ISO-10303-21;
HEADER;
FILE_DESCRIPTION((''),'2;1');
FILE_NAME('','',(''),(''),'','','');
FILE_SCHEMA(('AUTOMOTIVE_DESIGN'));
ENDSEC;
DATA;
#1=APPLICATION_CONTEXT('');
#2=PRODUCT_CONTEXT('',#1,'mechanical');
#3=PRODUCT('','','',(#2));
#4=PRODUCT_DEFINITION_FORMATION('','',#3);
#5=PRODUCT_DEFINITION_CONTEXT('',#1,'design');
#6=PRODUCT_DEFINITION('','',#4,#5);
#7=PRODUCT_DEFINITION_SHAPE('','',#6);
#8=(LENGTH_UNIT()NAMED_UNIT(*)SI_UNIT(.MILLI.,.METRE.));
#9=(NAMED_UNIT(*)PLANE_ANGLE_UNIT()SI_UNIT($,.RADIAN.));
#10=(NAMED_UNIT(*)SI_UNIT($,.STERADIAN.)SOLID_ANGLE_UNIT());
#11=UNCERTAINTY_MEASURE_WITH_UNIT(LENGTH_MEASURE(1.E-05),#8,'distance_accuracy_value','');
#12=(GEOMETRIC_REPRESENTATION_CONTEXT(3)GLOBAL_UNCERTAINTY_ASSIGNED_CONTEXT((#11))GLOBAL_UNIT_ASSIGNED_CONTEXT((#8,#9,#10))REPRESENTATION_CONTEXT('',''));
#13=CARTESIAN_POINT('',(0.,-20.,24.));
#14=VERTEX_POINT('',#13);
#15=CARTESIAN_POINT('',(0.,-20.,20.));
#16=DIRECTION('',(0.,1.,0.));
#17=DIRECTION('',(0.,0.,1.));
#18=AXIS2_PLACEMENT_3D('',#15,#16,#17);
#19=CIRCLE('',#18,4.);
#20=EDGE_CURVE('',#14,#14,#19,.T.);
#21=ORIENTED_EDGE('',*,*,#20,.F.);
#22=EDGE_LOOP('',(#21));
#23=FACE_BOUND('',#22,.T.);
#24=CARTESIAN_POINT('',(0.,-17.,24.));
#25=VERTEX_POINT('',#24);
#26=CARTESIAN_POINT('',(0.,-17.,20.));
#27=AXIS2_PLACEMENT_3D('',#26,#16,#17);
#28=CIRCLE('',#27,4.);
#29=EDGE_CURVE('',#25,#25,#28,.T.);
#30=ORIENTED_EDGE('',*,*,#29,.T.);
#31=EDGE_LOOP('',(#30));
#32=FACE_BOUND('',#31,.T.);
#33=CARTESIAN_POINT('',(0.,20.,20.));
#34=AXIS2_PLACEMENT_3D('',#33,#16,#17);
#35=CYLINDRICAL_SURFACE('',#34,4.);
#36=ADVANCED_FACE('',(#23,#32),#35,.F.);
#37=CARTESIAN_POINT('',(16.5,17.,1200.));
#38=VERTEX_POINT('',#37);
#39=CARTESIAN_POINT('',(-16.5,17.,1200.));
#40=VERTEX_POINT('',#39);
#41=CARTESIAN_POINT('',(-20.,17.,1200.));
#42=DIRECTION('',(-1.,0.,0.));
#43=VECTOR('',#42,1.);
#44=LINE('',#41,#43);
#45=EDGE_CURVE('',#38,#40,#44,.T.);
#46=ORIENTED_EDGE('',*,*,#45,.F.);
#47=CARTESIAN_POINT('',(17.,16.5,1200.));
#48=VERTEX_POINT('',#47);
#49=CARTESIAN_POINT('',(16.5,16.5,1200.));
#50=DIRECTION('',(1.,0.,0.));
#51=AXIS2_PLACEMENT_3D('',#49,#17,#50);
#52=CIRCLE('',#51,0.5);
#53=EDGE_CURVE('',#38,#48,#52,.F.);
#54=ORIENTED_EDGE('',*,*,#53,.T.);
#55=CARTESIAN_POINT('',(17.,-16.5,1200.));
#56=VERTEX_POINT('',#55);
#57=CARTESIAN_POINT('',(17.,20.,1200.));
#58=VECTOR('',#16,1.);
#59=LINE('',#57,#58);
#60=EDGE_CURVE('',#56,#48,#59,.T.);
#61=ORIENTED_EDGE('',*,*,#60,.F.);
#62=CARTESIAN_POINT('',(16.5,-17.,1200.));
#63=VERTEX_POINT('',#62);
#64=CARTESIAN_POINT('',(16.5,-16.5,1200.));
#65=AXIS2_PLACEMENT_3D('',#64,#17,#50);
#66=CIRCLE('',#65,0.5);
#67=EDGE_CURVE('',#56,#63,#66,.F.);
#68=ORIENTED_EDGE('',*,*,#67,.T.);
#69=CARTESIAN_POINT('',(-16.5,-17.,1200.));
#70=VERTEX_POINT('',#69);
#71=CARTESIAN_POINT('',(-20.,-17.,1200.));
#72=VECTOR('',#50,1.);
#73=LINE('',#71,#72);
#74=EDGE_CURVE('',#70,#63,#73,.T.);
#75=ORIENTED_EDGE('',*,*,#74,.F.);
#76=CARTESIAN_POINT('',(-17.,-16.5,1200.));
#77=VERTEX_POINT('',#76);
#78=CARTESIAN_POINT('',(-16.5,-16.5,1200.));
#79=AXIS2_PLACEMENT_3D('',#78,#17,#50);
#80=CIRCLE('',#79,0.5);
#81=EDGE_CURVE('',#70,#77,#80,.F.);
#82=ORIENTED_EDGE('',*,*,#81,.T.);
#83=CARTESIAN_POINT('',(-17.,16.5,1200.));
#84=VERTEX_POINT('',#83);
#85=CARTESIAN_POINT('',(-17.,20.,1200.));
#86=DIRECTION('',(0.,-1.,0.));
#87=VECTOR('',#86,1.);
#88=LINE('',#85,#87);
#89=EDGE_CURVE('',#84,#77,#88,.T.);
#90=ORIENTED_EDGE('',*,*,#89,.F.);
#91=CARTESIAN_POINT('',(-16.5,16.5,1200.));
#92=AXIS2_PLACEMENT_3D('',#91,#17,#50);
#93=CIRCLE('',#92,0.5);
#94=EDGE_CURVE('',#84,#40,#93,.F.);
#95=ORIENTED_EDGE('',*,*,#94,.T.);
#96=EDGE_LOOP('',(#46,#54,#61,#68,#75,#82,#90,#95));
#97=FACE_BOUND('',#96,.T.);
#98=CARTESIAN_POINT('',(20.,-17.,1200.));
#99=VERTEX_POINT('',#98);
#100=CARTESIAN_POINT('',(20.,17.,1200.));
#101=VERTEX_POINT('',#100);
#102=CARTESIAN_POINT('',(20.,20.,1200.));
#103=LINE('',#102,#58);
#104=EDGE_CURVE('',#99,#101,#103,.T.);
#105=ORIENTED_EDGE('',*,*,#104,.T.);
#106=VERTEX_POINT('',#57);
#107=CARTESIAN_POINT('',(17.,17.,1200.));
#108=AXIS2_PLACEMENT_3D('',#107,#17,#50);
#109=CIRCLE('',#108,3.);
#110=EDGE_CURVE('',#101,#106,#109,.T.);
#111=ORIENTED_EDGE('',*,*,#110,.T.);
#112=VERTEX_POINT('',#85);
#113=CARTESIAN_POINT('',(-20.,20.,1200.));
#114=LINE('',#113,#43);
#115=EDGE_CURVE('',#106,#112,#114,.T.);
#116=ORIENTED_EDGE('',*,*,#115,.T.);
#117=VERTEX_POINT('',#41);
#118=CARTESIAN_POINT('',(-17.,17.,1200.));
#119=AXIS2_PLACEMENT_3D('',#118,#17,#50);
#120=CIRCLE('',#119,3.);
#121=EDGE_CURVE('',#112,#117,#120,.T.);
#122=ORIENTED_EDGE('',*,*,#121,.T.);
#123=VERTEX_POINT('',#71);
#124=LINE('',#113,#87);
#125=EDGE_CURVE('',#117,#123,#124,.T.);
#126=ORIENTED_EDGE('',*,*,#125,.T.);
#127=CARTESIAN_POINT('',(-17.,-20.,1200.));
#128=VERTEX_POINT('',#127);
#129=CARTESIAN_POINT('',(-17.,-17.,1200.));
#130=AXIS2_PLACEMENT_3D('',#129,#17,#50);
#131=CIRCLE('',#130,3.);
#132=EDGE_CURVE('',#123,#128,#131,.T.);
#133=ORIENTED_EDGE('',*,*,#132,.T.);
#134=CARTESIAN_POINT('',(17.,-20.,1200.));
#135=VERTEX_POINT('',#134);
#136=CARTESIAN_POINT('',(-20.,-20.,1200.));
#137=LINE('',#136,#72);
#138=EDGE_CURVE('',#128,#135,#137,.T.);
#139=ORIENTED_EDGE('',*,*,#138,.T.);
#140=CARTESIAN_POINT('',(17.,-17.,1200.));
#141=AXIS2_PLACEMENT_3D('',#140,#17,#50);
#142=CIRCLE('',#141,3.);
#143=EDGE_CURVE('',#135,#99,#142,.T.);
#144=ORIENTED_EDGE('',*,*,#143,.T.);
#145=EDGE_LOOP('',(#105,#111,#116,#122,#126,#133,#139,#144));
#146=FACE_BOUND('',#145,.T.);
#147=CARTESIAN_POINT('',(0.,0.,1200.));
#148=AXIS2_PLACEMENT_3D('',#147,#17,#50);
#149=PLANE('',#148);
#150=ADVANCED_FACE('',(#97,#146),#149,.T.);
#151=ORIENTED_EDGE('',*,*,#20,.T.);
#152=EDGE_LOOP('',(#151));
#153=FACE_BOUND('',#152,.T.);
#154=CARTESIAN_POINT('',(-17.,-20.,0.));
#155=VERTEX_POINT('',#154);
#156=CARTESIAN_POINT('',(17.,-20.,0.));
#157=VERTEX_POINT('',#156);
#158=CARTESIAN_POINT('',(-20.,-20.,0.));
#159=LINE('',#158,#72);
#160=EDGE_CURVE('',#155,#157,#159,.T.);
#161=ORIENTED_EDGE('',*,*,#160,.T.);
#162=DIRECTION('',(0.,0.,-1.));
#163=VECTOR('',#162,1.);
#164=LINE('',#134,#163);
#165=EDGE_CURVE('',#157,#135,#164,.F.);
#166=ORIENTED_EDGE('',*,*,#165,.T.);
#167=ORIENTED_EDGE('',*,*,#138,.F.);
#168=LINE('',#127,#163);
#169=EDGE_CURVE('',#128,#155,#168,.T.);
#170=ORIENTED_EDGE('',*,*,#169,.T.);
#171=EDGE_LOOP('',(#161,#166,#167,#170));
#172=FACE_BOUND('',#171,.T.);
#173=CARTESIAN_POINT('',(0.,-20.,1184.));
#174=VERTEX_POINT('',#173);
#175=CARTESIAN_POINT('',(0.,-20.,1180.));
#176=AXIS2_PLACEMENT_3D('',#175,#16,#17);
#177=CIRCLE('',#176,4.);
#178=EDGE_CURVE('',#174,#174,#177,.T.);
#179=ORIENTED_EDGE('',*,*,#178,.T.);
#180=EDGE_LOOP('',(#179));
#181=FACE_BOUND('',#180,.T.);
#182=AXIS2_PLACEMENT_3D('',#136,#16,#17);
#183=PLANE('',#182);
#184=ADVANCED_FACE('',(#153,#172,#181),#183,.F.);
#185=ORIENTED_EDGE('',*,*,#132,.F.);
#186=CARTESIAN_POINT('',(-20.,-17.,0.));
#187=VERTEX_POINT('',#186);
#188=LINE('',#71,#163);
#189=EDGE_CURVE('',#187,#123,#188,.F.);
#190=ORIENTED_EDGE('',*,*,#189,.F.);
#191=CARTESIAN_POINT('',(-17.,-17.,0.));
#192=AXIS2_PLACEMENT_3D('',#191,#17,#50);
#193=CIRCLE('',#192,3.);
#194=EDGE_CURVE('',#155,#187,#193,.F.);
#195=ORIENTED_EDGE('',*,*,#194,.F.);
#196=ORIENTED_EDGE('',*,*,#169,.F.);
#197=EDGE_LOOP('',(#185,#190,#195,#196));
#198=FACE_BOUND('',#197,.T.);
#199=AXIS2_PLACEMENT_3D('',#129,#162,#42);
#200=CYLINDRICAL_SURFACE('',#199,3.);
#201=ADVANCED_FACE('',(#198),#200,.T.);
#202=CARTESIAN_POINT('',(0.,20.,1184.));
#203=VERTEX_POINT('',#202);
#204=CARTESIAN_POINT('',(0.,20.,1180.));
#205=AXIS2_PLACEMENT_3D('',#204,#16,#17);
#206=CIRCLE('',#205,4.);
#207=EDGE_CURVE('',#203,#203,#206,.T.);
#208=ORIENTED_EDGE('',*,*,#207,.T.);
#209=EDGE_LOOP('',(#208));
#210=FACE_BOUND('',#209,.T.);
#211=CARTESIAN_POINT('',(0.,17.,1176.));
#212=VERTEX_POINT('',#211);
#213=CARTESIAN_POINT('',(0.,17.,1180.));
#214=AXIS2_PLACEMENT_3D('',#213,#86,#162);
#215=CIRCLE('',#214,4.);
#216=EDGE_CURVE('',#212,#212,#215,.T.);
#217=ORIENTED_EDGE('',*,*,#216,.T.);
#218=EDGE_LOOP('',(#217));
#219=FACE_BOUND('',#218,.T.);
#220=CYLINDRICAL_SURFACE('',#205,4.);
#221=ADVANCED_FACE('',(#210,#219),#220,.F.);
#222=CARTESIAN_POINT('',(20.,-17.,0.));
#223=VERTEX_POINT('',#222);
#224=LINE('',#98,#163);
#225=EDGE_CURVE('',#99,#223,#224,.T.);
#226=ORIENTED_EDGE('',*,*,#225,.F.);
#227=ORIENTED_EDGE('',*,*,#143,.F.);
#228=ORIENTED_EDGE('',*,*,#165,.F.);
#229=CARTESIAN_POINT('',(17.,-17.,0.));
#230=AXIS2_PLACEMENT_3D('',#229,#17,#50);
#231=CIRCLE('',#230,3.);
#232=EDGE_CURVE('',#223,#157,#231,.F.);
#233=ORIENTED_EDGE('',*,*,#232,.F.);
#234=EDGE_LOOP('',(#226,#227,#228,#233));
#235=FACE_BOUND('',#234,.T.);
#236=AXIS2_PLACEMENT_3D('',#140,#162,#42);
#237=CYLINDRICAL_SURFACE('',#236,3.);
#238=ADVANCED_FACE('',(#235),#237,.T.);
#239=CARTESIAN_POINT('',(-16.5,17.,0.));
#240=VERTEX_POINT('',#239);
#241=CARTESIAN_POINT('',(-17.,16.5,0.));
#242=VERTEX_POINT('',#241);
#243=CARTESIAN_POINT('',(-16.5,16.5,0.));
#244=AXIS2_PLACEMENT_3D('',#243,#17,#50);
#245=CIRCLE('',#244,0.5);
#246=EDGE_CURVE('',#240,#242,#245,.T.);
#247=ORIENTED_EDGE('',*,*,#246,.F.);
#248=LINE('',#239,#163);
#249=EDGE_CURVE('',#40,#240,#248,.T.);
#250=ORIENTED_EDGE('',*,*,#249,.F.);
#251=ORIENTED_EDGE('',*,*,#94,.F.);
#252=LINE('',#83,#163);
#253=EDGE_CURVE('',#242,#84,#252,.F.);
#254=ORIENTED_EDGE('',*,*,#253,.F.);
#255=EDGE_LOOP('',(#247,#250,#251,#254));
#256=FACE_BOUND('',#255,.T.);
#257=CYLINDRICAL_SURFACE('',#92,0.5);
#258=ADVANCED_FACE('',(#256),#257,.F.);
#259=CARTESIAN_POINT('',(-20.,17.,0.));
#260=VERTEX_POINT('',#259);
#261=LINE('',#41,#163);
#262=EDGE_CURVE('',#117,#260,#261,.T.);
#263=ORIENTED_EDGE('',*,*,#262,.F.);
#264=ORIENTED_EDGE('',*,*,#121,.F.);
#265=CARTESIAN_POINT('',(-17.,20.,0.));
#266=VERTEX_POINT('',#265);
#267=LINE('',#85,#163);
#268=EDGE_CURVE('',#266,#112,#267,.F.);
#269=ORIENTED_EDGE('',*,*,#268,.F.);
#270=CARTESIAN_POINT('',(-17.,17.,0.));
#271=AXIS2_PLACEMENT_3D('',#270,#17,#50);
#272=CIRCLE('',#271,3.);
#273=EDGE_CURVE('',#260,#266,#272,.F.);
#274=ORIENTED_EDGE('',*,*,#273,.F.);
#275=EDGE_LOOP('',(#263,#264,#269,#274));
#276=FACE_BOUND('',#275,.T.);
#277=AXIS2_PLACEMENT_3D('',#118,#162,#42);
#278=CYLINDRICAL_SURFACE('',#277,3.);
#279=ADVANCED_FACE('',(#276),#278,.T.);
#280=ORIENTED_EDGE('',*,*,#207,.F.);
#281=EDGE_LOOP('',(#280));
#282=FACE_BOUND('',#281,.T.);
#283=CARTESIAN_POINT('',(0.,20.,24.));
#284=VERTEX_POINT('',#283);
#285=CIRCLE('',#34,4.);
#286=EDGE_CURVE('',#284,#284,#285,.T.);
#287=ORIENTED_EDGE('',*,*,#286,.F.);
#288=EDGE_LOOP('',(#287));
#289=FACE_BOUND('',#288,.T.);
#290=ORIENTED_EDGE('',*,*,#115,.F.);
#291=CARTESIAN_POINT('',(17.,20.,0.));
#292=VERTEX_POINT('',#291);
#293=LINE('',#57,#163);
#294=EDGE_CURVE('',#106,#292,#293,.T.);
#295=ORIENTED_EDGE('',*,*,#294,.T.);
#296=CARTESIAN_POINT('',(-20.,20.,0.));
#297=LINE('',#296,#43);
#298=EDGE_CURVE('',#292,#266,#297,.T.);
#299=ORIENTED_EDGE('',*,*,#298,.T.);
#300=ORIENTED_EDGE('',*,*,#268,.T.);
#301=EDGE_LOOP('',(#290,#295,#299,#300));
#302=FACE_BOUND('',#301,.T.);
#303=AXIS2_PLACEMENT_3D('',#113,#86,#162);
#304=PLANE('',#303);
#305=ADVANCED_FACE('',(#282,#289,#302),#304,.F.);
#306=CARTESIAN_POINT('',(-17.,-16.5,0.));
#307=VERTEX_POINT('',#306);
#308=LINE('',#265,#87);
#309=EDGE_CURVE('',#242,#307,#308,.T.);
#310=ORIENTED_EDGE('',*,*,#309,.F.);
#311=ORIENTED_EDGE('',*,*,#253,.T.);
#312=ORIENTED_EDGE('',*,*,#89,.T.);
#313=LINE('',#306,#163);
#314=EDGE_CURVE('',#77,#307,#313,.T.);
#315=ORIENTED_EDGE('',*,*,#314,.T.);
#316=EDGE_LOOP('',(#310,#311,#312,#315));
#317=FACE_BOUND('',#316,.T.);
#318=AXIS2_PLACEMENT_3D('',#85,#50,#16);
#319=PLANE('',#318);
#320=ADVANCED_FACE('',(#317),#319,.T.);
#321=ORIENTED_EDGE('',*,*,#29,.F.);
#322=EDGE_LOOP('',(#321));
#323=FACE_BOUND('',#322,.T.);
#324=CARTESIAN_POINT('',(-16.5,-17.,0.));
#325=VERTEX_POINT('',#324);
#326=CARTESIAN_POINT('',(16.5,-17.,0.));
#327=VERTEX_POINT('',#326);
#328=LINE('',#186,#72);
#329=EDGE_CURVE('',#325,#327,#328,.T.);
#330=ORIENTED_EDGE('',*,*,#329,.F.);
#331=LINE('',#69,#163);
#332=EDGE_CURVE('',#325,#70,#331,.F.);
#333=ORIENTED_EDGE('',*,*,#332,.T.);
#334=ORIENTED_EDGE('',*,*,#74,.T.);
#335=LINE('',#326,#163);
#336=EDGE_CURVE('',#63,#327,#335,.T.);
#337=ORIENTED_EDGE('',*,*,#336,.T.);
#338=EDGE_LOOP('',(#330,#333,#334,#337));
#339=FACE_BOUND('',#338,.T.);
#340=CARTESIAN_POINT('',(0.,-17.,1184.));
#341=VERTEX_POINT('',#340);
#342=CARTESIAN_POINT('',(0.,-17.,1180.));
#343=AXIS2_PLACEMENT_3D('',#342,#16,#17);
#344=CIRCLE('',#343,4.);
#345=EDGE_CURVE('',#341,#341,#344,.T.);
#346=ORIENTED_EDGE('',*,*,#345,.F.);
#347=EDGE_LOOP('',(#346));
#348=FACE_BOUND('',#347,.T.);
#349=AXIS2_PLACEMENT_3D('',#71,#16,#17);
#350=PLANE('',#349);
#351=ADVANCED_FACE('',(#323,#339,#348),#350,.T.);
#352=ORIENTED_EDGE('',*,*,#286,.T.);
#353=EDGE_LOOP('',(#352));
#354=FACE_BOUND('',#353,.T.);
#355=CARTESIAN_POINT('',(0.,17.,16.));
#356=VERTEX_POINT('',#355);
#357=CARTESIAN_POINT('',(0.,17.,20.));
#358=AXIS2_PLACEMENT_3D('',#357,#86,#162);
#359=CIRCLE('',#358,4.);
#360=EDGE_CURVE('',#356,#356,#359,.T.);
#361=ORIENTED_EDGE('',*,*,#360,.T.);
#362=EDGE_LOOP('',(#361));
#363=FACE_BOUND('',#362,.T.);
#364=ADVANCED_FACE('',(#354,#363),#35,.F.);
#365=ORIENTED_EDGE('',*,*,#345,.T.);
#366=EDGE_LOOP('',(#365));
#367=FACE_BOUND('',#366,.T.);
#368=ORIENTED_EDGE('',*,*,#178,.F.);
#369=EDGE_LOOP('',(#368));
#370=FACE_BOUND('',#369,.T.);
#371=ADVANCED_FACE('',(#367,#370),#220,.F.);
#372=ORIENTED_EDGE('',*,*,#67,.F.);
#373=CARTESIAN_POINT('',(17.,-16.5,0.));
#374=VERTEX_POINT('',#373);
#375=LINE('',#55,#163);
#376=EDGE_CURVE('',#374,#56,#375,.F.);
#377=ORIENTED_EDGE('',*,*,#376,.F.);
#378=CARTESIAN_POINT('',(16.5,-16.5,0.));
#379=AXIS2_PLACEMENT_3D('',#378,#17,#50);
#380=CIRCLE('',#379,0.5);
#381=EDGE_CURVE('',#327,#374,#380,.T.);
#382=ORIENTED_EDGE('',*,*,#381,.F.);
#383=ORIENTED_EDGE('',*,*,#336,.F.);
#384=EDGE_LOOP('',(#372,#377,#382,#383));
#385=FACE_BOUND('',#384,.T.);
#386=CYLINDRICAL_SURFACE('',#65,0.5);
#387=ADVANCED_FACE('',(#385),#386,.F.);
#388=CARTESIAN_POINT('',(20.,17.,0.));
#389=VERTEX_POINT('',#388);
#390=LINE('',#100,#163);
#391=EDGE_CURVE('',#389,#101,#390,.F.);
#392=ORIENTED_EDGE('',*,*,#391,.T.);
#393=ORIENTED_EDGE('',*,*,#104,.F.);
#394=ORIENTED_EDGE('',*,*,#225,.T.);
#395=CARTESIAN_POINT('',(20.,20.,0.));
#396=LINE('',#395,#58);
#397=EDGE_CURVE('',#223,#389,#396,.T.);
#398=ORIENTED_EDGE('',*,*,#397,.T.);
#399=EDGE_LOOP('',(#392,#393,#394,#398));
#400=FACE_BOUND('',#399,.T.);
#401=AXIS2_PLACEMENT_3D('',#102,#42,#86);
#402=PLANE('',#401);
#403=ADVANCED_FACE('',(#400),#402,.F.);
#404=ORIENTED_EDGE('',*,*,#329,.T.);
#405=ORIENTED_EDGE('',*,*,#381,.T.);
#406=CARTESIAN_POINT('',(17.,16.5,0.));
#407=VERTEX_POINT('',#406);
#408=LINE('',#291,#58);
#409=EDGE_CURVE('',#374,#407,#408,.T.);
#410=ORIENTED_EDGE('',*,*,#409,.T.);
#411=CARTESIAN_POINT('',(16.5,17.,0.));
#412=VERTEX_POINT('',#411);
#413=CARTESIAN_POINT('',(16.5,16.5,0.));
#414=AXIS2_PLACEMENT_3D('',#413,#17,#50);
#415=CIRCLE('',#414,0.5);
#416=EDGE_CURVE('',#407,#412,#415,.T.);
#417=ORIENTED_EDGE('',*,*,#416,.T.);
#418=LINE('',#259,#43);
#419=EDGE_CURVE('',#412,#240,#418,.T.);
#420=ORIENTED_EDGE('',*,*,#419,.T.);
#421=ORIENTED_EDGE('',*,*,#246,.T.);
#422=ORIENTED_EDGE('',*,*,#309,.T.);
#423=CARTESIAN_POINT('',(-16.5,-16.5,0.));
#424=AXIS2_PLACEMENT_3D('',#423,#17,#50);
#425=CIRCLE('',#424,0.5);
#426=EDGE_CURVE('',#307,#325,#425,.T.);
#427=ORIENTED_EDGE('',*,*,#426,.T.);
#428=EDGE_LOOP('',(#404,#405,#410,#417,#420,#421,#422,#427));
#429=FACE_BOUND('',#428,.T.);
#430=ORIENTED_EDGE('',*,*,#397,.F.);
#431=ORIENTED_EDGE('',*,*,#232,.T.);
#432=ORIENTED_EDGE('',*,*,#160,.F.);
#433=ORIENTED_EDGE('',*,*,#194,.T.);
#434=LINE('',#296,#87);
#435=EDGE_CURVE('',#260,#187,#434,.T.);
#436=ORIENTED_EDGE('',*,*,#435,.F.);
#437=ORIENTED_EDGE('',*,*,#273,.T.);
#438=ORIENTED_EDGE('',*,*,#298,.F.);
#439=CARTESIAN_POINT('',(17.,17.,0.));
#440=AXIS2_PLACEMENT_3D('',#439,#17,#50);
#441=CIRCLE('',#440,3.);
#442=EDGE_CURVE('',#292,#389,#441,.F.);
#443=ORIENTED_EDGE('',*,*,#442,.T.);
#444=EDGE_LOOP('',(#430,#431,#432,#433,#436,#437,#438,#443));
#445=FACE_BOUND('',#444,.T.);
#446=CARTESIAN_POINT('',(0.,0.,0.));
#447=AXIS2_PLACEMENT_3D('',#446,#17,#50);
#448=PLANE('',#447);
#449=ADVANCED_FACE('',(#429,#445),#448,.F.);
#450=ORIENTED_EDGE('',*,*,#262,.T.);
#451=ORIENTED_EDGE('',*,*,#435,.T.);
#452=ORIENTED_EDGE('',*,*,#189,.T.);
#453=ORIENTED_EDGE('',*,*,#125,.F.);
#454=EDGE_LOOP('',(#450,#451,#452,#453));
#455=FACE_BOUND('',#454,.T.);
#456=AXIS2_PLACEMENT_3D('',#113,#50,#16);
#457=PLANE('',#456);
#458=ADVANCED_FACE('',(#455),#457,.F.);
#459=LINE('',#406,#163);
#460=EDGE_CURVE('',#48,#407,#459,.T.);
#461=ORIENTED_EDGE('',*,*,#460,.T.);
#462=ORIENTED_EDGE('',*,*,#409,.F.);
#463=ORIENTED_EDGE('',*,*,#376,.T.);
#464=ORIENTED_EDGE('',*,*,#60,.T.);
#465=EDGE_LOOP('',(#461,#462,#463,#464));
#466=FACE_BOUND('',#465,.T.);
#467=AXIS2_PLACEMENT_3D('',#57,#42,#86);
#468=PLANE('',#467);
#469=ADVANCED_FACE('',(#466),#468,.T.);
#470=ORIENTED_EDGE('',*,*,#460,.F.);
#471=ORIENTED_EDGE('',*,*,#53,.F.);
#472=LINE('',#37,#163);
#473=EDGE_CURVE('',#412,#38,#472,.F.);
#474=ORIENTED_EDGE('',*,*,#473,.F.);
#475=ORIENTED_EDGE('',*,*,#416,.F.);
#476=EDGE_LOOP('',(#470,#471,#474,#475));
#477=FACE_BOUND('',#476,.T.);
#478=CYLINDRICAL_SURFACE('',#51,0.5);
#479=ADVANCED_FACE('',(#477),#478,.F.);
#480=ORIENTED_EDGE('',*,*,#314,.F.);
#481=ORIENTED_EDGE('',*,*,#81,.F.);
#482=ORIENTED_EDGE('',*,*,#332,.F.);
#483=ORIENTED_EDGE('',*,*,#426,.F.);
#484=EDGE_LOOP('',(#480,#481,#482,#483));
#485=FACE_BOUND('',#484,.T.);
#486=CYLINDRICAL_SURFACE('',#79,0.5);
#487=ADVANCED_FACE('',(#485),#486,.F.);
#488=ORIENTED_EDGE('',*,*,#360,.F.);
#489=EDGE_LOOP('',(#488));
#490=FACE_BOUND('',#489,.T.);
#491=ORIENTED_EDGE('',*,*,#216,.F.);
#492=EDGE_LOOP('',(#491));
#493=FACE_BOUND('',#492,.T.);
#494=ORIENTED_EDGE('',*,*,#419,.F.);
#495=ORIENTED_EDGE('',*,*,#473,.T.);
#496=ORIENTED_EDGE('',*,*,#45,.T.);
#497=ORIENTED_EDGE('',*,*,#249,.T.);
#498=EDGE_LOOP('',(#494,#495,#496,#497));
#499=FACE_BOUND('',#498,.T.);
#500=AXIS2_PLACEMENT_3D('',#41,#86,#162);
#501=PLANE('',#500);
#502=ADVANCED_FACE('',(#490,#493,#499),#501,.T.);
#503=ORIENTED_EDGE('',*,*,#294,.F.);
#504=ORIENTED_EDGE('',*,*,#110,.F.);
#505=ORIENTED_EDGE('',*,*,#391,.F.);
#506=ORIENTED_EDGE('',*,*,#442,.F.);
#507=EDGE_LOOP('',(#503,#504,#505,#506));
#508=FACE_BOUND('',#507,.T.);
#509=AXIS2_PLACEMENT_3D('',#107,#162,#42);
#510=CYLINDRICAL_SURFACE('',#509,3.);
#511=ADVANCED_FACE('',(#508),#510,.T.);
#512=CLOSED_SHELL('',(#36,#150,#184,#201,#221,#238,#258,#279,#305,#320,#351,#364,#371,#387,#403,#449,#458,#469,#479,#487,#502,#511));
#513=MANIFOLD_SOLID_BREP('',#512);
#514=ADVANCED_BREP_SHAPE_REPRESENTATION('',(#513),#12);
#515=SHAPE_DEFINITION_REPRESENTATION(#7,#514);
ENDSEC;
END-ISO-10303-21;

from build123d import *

# Parameters (mm, degrees)
SKETCH1_W                = 40
SKETCH1_H                = 40
SKETCH1_W_2              = 34
SKETCH1_H_2              = 34
EXTRUDE_THIN1_DEPTH      = 1200
FILLET1_R                = 0.5
FILLET2_R                = 3
F_8_0_8_DIAMETER_HOLE1_D = 8


with BuildPart() as part:
    # Sketch1 → Extrude-Thin1 (new body)
    with BuildSketch(Plane.XY):
        Rectangle(SKETCH1_W, SKETCH1_H)
        Rectangle(SKETCH1_W_2, SKETCH1_H_2, mode=Mode.SUBTRACT)
    extrude(amount=EXTRUDE_THIN1_DEPTH)

    # Fillet1
    fillet1_edges = [part.edges().sort_by_distance(p)[0] for p in [
        (17, -17, 600),
        (17, 17, 600),
        (-17, 17, 600),
        (-17, -17, 600),
    ]]
    fillet(fillet1_edges, radius=FILLET1_R)

    # Fillet2
    fillet2_edges = [part.edges().sort_by_distance(p)[0] for p in [
        (20, -20, 600),
        (-20, -20, 600),
        (-20, 20, 600),
        (20, 20, 600),
    ]]
    fillet(fillet2_edges, radius=FILLET2_R)

    # Ø8.0 (8) Diameter Hole1 (through all)
    with Locations(Plane(origin=(0, 20, 0), x_dir=(1, 0, 0), z_dir=(0, 1, 0))):
        with Locations((0, -20), (0, -1180)):
            Hole(F_8_0_8_DIAMETER_HOLE1_D / 2)


solid = part.part
